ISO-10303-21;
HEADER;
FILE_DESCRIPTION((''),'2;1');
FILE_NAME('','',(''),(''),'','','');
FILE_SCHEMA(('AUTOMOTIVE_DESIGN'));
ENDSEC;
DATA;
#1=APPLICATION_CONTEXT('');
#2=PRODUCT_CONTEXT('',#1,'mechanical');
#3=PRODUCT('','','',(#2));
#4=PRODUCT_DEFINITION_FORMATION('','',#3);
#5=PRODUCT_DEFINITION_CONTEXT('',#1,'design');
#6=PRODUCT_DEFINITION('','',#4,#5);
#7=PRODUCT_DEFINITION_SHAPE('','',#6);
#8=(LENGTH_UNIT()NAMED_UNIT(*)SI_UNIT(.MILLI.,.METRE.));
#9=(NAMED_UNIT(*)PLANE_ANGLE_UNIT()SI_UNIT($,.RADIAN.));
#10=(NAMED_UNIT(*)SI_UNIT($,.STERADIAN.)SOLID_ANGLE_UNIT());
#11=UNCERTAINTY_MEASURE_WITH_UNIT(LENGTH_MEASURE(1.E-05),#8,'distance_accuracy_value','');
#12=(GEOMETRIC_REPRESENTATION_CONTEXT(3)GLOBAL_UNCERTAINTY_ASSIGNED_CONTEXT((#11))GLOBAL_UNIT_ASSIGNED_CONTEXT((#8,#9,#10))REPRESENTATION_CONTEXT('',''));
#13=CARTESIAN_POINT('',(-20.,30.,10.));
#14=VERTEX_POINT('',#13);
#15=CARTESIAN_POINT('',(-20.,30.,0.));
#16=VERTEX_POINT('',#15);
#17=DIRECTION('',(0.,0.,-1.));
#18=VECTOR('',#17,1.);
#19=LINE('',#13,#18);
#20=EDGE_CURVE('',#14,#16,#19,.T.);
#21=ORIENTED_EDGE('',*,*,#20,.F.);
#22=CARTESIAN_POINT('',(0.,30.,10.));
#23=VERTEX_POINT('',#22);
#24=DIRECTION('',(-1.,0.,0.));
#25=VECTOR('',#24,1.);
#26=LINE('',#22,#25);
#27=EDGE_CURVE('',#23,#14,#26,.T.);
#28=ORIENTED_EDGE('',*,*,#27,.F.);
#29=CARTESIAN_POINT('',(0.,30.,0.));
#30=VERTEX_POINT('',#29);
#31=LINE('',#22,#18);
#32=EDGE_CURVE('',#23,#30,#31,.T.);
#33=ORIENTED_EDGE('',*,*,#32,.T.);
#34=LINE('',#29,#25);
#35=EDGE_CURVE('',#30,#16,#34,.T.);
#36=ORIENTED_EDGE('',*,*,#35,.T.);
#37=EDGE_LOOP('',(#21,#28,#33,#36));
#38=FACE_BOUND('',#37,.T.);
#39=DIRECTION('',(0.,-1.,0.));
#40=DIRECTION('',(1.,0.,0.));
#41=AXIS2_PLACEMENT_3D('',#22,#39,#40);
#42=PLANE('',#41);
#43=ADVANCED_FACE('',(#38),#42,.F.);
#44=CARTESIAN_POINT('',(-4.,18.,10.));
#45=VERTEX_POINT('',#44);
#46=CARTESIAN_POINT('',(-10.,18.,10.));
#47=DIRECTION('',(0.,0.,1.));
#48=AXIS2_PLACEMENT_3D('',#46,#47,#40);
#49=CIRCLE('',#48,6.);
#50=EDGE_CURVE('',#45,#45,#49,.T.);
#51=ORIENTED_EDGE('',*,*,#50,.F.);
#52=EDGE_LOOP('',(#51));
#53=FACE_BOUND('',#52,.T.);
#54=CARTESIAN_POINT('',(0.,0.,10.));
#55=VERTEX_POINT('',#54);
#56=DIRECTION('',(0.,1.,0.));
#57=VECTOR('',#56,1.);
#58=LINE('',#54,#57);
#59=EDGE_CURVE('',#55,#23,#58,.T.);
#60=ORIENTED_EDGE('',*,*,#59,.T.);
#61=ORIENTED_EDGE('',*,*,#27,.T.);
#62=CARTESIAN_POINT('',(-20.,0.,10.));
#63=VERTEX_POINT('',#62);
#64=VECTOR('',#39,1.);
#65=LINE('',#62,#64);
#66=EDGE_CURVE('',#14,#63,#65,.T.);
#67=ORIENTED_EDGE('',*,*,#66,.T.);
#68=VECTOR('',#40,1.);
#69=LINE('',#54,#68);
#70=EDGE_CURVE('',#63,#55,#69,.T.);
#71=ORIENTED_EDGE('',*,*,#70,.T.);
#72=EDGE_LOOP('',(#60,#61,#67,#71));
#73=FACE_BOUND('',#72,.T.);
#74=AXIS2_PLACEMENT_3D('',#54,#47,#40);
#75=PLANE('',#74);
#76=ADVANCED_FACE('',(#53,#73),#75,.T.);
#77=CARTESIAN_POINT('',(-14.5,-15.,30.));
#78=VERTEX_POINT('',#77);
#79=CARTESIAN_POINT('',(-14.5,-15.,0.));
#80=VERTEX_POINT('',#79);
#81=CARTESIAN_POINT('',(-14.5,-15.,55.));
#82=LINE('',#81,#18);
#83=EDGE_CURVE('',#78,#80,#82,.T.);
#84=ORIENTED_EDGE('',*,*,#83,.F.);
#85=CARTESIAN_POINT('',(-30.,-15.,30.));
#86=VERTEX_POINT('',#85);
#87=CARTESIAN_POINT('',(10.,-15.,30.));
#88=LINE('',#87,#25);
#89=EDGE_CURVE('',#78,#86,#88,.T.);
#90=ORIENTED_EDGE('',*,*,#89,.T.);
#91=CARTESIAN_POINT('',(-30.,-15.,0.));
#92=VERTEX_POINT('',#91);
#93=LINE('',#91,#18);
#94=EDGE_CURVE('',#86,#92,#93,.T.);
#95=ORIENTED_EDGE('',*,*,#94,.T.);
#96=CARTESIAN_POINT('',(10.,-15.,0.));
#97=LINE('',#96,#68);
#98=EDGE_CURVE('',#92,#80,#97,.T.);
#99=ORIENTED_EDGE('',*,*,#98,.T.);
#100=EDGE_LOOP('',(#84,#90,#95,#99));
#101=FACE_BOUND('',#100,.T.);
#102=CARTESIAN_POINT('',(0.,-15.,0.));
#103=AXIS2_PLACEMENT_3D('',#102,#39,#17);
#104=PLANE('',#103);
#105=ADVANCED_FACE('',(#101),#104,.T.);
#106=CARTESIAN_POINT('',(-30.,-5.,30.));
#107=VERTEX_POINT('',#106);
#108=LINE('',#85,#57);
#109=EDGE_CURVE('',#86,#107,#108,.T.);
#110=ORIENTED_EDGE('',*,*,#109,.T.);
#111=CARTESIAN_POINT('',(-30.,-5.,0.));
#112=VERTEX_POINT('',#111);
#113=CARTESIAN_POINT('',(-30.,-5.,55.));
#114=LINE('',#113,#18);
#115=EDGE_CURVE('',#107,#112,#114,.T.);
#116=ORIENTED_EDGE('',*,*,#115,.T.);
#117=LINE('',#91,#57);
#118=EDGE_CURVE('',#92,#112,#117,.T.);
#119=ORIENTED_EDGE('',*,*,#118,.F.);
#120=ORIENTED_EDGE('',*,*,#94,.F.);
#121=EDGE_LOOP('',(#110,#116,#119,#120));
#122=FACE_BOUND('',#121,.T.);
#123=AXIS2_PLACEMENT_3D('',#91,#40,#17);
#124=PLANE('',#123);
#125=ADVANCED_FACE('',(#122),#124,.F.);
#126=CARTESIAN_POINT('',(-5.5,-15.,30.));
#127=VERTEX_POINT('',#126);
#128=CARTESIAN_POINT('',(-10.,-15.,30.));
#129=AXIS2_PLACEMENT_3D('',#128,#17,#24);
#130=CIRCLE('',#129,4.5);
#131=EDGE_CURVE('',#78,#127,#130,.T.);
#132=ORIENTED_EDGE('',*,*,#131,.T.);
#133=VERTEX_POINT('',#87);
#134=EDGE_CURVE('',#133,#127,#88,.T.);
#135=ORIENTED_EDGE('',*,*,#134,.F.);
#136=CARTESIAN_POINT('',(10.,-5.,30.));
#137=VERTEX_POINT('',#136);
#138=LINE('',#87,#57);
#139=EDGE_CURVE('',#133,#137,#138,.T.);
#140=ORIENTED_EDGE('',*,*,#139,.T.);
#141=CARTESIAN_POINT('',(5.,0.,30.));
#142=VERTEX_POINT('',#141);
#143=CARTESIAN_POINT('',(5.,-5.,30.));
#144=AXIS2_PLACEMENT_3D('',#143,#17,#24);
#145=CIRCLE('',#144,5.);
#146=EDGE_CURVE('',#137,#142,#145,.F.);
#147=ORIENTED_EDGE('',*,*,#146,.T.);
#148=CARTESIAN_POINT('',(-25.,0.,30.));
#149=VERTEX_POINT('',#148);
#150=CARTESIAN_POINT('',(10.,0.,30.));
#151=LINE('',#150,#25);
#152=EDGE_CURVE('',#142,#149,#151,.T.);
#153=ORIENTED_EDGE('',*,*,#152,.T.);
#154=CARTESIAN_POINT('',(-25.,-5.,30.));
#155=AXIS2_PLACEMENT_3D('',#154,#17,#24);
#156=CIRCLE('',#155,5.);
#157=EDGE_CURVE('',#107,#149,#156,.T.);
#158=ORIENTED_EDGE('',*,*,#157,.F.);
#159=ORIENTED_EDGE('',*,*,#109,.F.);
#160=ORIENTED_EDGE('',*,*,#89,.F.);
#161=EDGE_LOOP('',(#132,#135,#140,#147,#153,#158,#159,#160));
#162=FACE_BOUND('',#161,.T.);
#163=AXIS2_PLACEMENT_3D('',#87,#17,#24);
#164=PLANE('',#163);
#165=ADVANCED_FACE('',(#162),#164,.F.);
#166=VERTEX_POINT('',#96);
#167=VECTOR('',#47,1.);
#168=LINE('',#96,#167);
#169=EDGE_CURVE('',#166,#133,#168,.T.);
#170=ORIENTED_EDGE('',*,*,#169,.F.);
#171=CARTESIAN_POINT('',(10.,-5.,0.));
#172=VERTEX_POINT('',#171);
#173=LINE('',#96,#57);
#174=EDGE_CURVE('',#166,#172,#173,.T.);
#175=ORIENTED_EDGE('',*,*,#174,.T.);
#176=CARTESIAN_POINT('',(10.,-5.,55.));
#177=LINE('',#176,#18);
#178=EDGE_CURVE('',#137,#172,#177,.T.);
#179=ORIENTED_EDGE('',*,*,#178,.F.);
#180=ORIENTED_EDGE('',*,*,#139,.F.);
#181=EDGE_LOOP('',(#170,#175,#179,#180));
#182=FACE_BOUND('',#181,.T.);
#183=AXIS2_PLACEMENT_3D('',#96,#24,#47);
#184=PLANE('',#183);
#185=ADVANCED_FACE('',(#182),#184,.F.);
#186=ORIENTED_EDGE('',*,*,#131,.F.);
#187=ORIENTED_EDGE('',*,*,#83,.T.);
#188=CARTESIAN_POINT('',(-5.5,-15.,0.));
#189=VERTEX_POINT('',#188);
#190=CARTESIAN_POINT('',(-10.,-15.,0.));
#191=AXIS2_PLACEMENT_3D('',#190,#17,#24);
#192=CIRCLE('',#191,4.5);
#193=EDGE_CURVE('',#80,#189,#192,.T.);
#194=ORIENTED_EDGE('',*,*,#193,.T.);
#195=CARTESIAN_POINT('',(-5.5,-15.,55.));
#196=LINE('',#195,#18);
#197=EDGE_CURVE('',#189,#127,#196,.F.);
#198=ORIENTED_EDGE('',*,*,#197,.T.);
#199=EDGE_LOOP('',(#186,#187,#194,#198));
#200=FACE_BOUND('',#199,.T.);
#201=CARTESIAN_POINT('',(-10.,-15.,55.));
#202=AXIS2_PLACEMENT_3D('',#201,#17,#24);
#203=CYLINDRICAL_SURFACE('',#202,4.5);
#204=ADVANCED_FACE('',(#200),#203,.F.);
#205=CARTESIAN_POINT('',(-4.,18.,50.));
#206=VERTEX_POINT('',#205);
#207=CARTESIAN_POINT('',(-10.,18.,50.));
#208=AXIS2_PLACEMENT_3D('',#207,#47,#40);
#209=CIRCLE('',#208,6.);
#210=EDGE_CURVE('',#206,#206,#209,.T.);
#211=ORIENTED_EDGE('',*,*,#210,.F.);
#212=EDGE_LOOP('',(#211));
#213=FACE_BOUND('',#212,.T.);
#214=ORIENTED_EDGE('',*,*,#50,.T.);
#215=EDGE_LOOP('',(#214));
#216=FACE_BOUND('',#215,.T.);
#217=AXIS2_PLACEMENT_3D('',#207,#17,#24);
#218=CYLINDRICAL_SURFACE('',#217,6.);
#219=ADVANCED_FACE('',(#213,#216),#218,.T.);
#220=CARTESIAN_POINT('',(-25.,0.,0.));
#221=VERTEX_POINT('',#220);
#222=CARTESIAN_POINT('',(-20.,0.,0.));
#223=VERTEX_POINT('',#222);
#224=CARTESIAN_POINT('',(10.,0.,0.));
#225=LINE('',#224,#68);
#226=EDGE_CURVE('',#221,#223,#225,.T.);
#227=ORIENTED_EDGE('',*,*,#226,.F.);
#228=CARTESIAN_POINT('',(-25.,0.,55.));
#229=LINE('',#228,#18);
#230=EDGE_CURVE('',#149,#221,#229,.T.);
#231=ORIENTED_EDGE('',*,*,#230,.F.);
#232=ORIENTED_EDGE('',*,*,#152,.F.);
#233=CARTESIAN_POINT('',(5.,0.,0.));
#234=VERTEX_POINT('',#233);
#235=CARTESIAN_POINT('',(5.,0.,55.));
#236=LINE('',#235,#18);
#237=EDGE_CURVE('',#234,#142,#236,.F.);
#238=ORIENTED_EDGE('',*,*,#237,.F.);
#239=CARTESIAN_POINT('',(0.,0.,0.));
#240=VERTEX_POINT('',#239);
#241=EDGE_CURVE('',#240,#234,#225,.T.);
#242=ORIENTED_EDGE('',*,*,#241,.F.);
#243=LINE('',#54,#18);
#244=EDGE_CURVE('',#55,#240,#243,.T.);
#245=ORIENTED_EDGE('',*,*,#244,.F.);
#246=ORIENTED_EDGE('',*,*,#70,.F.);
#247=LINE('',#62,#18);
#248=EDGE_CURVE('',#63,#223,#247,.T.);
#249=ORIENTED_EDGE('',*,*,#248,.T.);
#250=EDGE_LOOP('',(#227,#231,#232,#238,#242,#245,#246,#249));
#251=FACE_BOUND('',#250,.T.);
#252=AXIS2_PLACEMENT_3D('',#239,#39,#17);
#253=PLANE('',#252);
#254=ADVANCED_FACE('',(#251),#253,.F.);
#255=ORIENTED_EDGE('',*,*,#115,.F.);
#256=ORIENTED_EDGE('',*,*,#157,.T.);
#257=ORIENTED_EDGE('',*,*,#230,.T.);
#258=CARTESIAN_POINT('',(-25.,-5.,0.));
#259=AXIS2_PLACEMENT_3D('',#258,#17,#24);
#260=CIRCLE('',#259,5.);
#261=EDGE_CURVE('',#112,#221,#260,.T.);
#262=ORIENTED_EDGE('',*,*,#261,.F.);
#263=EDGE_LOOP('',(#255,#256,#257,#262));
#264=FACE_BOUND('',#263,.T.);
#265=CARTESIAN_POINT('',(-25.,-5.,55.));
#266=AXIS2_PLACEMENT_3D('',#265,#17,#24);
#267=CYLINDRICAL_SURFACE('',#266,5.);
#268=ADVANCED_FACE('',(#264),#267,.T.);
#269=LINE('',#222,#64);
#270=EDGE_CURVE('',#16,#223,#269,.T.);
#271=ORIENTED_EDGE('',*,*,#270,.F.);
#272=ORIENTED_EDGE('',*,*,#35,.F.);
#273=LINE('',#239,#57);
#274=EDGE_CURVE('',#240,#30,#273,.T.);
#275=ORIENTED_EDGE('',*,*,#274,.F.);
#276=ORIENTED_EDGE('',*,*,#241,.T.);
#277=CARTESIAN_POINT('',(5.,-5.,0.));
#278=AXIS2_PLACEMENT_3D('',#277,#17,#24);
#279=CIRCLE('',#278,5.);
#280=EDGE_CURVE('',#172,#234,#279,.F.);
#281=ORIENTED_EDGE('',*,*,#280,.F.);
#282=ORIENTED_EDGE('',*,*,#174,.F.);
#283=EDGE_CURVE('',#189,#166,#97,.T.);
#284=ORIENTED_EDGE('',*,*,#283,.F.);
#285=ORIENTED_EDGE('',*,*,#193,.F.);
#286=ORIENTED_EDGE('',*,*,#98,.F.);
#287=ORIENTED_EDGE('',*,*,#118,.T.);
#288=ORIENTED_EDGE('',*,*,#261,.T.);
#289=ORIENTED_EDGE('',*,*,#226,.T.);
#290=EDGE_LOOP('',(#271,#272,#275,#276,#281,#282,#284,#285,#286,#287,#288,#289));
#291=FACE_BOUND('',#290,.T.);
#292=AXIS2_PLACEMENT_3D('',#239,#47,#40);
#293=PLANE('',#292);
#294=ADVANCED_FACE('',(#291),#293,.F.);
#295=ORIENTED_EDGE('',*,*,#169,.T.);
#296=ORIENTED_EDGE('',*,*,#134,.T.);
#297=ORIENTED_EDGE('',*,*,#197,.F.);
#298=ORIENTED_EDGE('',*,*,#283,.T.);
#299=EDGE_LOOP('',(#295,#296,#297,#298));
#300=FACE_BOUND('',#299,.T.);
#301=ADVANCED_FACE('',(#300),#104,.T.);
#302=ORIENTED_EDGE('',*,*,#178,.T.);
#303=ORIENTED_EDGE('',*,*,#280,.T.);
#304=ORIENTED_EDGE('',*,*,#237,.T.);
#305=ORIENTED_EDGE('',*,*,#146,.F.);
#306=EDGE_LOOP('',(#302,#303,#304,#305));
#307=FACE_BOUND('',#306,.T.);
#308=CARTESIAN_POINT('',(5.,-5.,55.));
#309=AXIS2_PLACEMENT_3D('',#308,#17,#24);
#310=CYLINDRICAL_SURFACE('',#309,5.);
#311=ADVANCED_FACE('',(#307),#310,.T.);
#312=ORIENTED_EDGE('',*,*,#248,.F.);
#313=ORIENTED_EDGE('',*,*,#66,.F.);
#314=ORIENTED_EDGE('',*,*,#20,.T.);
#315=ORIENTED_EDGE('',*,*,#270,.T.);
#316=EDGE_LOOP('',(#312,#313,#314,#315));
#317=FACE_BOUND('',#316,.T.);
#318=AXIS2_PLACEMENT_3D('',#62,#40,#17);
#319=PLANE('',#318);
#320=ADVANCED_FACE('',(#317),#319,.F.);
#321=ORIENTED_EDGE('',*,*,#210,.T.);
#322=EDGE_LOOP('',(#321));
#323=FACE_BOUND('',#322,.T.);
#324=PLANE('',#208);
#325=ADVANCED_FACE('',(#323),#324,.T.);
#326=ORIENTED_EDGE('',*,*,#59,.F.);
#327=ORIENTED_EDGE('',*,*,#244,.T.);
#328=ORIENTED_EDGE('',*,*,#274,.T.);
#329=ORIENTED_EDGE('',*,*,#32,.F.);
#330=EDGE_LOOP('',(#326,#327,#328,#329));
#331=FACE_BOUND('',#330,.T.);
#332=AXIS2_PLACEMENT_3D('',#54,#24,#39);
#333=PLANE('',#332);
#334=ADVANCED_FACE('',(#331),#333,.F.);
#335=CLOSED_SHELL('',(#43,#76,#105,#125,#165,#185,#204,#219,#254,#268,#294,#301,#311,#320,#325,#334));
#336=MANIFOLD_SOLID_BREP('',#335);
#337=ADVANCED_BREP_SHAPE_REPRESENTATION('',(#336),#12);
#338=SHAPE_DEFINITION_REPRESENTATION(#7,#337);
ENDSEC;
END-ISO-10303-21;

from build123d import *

# Parameters (mm, degrees)
ESQUISSE1_W             = 20
ESQUISSE1_H             = 30
BOSS_EXTRU_1_DEPTH      = 10
ESQUISSE2_R             = 6
BOSS_EXTRU_2_DEPTH      = 40
ESQUISSE3_W             = 40
ESQUISSE3_H             = 30
BOSS_EXTRU_3_DEPTH      = 15
ESQUISSE4_R             = 4.5
ENL_V_MAT_EXTRU_1_DEPTH = 55
ENL_V_MAT_EXTRU_3_DEPTH = 55


with BuildPart() as part:
    # Esquisse1 → Boss.-Extru.1 (new body)
    with BuildSketch(Plane.XY):
        with Locations((-10, 15)):
            Rectangle(ESQUISSE1_W, ESQUISSE1_H)
    extrude(amount=BOSS_EXTRU_1_DEPTH)

    # Esquisse2 → Boss.-Extru.2 (add)
    with BuildSketch(Plane.XY.offset(10)):
        with Locations((-10, 18)):
            Circle(ESQUISSE2_R)
    extrude(amount=BOSS_EXTRU_2_DEPTH)

    # Esquisse3 → Boss.-Extru.3 (add)
    with BuildSketch(Plane.XZ):
        with Locations((-10, 15)):
            Rectangle(ESQUISSE3_W, ESQUISSE3_H)
    extrude(amount=BOSS_EXTRU_3_DEPTH)

    # Esquisse4 → Enlèv. mat.-Extru.1 (cut)
    with BuildSketch(Plane(origin=(0, 0, 0), x_dir=(-1, 0, 0), z_dir=(0, 0, -1))):
        with Locations((10, -15)):
            Circle(ESQUISSE4_R)
    extrude(amount=-ENL_V_MAT_EXTRU_1_DEPTH, mode=Mode.SUBTRACT)

    # Esquisse5 → Enlèv. mat.-Extru.3 (cut)
    with BuildSketch(Plane(origin=(0, 0, 0), x_dir=(-1, 0, 0), z_dir=(0, 0, -1))):
        with BuildLine():
            Line((30, 0), (25, 0))
            ThreePointArc((25, 0), (28.535533906, -1.464466094), (30, -5))
            Line((30, -5), (30, 0))
        make_face()
        with BuildLine():
            Line((-10, 0), (-10, -5))
            ThreePointArc((-10, -5), (-8.535533906, -1.464466094), (-5, 0))
            Line((-5, 0), (-10, 0))
        make_face()
    extrude(amount=-ENL_V_MAT_EXTRU_3_DEPTH, mode=Mode.SUBTRACT)


solid = part.part
